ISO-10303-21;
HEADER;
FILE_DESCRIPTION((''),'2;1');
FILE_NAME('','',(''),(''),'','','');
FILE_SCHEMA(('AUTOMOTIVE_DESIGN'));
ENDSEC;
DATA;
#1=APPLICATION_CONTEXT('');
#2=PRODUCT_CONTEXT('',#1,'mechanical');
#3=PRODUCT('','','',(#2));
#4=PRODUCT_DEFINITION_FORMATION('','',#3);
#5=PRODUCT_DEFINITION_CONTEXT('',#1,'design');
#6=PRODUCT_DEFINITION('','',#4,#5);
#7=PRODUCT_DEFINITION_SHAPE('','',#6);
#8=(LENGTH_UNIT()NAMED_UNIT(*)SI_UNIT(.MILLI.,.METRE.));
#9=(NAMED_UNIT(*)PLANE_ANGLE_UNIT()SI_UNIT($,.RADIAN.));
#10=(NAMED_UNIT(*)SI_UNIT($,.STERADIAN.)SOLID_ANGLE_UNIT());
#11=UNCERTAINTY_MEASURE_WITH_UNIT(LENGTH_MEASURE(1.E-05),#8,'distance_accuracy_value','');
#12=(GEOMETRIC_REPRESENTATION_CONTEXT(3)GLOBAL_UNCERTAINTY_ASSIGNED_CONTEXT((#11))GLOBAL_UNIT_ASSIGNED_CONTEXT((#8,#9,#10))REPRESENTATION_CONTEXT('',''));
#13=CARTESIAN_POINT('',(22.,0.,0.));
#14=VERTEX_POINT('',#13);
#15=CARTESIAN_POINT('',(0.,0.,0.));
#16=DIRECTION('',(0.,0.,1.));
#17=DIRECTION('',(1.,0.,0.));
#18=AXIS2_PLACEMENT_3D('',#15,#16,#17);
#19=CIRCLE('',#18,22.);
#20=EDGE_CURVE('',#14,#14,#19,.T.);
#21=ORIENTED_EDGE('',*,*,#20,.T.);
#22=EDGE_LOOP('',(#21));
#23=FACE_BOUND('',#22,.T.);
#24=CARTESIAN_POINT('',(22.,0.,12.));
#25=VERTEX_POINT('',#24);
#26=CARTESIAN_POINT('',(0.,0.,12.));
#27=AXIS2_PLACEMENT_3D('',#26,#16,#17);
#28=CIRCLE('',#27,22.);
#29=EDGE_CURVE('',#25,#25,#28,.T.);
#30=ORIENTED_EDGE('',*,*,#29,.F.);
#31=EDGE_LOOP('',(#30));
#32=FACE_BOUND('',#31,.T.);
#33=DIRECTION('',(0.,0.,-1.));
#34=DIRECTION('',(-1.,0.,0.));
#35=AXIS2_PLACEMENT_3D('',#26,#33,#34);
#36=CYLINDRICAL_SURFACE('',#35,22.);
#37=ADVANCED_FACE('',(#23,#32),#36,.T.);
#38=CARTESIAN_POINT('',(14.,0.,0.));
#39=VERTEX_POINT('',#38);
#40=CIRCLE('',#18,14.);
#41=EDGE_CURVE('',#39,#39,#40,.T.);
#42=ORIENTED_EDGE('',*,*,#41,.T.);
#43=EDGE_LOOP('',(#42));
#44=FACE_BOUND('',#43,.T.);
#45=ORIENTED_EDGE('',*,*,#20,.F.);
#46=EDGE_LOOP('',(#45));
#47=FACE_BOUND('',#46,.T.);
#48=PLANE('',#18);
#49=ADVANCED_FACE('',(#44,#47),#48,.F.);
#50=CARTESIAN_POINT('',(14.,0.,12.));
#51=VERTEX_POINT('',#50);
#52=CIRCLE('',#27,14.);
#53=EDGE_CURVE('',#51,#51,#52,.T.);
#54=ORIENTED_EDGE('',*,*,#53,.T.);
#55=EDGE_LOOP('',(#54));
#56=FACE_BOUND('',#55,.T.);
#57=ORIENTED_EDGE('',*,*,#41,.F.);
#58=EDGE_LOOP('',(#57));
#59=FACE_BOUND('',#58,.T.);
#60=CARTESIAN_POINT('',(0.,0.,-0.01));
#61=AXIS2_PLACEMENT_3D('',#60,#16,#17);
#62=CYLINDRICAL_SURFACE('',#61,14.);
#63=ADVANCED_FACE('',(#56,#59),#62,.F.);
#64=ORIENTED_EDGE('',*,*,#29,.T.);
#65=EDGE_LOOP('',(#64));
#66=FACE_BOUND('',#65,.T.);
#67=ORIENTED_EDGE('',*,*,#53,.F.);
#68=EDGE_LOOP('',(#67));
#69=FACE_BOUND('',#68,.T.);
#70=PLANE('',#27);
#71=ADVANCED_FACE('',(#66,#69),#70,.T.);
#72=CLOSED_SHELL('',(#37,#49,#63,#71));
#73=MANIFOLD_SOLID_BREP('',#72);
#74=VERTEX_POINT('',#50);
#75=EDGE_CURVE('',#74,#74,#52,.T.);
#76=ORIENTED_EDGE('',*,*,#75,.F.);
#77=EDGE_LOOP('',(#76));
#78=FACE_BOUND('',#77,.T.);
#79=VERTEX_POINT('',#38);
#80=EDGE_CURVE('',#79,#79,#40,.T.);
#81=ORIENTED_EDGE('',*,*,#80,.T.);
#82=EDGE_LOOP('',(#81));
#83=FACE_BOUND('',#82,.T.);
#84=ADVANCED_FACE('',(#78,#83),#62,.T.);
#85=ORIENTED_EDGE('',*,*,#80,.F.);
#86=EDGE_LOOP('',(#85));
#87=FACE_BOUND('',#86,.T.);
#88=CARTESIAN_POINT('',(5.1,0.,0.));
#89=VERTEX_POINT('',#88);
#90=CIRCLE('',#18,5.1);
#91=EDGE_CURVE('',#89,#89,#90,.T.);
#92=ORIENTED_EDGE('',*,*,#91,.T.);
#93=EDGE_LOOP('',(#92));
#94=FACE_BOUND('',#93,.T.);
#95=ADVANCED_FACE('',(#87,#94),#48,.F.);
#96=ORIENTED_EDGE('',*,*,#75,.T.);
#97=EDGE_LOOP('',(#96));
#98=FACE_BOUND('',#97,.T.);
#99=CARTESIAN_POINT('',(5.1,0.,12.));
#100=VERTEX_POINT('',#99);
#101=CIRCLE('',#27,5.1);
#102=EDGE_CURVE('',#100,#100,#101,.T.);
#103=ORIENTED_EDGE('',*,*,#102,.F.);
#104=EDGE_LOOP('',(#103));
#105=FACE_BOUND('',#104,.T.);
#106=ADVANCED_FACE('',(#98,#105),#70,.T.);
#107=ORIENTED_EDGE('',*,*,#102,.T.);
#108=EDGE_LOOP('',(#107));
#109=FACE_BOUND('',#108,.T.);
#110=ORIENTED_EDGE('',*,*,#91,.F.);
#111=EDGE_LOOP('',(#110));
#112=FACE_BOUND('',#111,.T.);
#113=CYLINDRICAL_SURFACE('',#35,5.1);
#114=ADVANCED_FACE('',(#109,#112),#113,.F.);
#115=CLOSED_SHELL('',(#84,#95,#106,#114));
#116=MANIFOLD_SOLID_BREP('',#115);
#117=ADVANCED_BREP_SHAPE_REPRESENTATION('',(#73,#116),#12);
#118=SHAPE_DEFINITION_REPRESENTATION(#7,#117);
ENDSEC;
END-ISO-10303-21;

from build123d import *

# Parameters (mm, degrees)
SKETCH_1_R                     = 22
SKETCH_1_R_2                   = 5.1
EXTRUDE_1_DEPTH                = 12
SPLIT_BODIES_1_SURFACE_1_BACK  = 64.372
SPLIT_BODIES_1_SURFACE_1_DEPTH = 128.744
SPLIT_BODIES_1_SURFACE_2_BACK  = 64.372
SPLIT_BODIES_1_SURFACE_2_DEPTH = 128.744


with BuildPart() as part:
    # 草图1 → 凸台-拉伸1 (new body)
    with BuildSketch(Plane.XY):
        Circle(SKETCH_1_R)
        Circle(SKETCH_1_R_2, mode=Mode.SUBTRACT)
    extrude(amount=EXTRUDE_1_DEPTH)


with BuildPart() as body_2:
    # Split Bodies 1: the piece behind the surface
    add(part.part)
    # Split Bodies 1 surface: a surface, the sketch's curves swept straight by 128.744 mm
    with BuildLine(Plane.XY.offset(12).offset(-SPLIT_BODIES_1_SURFACE_1_BACK), mode=Mode.PRIVATE) as split_bodies_1_surface_1_path:
        CenterArc((0, 0), 14, 0, 360)
    split_bodies_1_surface_1 = Shell.extrude(split_bodies_1_surface_1_path.wire(), (0 * SPLIT_BODIES_1_SURFACE_1_DEPTH, 0 * SPLIT_BODIES_1_SURFACE_1_DEPTH, 1 * SPLIT_BODIES_1_SURFACE_1_DEPTH))
    split(bisect_by=split_bodies_1_surface_1, keep=Keep.BOTTOM)


with BuildPart() as part_1:
    add(part.part)

    # Split Bodies 1: split by a surface, the side it looks to stays
    # Split Bodies 1 surface: a surface, the sketch's curves swept straight by 128.744 mm
    with BuildLine(Plane.XY.offset(12).offset(-SPLIT_BODIES_1_SURFACE_2_BACK), mode=Mode.PRIVATE) as split_bodies_1_surface_2_path:
        CenterArc((0, 0), 14, 0, 360)
    split_bodies_1_surface_2 = Shell.extrude(split_bodies_1_surface_2_path.wire(), (0 * SPLIT_BODIES_1_SURFACE_2_DEPTH, 0 * SPLIT_BODIES_1_SURFACE_2_DEPTH, 1 * SPLIT_BODIES_1_SURFACE_2_DEPTH))
    split(bisect_by=split_bodies_1_surface_2, keep=Keep.TOP)


solid = Compound([body_2.part, part_1.part])
